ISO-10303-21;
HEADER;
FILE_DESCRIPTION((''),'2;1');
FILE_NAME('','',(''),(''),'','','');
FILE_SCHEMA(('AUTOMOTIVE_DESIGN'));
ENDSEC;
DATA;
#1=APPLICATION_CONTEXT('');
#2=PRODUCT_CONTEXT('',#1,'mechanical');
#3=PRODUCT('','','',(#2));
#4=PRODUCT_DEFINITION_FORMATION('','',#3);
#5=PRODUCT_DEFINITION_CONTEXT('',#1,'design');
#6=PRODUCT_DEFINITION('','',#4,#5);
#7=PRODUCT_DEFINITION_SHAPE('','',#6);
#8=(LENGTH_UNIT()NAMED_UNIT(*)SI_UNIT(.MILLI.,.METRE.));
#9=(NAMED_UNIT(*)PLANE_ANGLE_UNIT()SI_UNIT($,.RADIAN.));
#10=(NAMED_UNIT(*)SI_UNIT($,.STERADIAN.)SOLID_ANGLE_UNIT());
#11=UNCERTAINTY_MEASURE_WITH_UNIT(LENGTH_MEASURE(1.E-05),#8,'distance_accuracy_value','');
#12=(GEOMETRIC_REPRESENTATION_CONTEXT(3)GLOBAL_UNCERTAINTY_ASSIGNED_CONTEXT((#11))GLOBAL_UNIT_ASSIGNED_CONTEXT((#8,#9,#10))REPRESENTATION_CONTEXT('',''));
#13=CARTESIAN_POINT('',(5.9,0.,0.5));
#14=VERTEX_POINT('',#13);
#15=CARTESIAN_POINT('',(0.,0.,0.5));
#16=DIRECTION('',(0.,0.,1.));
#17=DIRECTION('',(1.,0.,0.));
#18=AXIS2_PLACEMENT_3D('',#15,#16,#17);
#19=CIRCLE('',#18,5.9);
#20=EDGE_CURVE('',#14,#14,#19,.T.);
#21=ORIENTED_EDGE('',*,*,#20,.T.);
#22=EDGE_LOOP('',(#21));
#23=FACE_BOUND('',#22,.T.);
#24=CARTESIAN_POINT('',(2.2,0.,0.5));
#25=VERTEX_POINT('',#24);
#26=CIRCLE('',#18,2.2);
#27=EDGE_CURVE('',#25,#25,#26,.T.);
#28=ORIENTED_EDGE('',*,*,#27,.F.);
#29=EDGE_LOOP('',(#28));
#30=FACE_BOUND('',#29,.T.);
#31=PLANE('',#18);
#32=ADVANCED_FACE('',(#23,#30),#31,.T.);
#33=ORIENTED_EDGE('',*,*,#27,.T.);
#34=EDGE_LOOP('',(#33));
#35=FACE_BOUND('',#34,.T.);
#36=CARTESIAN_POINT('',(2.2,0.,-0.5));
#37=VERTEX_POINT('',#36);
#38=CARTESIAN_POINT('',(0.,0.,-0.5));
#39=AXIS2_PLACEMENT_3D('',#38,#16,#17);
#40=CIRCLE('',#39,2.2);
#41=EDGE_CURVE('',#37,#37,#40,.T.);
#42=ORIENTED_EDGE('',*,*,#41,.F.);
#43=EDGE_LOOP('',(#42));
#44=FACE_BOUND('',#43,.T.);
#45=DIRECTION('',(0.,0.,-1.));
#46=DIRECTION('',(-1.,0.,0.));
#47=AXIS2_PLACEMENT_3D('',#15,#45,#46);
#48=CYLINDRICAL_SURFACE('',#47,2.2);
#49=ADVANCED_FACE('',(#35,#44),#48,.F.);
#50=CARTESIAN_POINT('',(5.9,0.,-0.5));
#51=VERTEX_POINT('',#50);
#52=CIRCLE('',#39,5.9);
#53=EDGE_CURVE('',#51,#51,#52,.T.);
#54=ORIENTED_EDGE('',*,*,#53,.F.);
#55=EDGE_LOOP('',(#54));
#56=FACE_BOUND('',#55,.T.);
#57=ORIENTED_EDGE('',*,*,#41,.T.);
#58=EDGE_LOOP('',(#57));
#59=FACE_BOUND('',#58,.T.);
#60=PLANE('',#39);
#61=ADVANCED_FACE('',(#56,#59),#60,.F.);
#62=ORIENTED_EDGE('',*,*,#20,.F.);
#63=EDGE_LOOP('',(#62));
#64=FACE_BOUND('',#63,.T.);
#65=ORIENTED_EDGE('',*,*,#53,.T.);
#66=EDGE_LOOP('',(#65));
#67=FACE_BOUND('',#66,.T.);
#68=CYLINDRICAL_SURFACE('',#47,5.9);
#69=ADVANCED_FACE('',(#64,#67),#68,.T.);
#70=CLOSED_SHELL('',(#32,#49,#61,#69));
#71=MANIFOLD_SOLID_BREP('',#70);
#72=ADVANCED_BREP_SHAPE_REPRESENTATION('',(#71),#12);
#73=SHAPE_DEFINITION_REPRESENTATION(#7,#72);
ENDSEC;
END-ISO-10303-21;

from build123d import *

# Parameters (mm, degrees)
SKETCH3_R           = 5.9
SKETCH3_R_2         = 2.2
BOSS_EXTRUDE1_DEPTH = 0.5


with BuildPart() as part:
    # Sketch3 → Boss-Extrude1 (new body, symmetric)
    with BuildSketch(Plane.XY):
        Circle(SKETCH3_R)
        Circle(SKETCH3_R_2, mode=Mode.SUBTRACT)
    extrude(amount=BOSS_EXTRUDE1_DEPTH, both=True)


solid = part.part
